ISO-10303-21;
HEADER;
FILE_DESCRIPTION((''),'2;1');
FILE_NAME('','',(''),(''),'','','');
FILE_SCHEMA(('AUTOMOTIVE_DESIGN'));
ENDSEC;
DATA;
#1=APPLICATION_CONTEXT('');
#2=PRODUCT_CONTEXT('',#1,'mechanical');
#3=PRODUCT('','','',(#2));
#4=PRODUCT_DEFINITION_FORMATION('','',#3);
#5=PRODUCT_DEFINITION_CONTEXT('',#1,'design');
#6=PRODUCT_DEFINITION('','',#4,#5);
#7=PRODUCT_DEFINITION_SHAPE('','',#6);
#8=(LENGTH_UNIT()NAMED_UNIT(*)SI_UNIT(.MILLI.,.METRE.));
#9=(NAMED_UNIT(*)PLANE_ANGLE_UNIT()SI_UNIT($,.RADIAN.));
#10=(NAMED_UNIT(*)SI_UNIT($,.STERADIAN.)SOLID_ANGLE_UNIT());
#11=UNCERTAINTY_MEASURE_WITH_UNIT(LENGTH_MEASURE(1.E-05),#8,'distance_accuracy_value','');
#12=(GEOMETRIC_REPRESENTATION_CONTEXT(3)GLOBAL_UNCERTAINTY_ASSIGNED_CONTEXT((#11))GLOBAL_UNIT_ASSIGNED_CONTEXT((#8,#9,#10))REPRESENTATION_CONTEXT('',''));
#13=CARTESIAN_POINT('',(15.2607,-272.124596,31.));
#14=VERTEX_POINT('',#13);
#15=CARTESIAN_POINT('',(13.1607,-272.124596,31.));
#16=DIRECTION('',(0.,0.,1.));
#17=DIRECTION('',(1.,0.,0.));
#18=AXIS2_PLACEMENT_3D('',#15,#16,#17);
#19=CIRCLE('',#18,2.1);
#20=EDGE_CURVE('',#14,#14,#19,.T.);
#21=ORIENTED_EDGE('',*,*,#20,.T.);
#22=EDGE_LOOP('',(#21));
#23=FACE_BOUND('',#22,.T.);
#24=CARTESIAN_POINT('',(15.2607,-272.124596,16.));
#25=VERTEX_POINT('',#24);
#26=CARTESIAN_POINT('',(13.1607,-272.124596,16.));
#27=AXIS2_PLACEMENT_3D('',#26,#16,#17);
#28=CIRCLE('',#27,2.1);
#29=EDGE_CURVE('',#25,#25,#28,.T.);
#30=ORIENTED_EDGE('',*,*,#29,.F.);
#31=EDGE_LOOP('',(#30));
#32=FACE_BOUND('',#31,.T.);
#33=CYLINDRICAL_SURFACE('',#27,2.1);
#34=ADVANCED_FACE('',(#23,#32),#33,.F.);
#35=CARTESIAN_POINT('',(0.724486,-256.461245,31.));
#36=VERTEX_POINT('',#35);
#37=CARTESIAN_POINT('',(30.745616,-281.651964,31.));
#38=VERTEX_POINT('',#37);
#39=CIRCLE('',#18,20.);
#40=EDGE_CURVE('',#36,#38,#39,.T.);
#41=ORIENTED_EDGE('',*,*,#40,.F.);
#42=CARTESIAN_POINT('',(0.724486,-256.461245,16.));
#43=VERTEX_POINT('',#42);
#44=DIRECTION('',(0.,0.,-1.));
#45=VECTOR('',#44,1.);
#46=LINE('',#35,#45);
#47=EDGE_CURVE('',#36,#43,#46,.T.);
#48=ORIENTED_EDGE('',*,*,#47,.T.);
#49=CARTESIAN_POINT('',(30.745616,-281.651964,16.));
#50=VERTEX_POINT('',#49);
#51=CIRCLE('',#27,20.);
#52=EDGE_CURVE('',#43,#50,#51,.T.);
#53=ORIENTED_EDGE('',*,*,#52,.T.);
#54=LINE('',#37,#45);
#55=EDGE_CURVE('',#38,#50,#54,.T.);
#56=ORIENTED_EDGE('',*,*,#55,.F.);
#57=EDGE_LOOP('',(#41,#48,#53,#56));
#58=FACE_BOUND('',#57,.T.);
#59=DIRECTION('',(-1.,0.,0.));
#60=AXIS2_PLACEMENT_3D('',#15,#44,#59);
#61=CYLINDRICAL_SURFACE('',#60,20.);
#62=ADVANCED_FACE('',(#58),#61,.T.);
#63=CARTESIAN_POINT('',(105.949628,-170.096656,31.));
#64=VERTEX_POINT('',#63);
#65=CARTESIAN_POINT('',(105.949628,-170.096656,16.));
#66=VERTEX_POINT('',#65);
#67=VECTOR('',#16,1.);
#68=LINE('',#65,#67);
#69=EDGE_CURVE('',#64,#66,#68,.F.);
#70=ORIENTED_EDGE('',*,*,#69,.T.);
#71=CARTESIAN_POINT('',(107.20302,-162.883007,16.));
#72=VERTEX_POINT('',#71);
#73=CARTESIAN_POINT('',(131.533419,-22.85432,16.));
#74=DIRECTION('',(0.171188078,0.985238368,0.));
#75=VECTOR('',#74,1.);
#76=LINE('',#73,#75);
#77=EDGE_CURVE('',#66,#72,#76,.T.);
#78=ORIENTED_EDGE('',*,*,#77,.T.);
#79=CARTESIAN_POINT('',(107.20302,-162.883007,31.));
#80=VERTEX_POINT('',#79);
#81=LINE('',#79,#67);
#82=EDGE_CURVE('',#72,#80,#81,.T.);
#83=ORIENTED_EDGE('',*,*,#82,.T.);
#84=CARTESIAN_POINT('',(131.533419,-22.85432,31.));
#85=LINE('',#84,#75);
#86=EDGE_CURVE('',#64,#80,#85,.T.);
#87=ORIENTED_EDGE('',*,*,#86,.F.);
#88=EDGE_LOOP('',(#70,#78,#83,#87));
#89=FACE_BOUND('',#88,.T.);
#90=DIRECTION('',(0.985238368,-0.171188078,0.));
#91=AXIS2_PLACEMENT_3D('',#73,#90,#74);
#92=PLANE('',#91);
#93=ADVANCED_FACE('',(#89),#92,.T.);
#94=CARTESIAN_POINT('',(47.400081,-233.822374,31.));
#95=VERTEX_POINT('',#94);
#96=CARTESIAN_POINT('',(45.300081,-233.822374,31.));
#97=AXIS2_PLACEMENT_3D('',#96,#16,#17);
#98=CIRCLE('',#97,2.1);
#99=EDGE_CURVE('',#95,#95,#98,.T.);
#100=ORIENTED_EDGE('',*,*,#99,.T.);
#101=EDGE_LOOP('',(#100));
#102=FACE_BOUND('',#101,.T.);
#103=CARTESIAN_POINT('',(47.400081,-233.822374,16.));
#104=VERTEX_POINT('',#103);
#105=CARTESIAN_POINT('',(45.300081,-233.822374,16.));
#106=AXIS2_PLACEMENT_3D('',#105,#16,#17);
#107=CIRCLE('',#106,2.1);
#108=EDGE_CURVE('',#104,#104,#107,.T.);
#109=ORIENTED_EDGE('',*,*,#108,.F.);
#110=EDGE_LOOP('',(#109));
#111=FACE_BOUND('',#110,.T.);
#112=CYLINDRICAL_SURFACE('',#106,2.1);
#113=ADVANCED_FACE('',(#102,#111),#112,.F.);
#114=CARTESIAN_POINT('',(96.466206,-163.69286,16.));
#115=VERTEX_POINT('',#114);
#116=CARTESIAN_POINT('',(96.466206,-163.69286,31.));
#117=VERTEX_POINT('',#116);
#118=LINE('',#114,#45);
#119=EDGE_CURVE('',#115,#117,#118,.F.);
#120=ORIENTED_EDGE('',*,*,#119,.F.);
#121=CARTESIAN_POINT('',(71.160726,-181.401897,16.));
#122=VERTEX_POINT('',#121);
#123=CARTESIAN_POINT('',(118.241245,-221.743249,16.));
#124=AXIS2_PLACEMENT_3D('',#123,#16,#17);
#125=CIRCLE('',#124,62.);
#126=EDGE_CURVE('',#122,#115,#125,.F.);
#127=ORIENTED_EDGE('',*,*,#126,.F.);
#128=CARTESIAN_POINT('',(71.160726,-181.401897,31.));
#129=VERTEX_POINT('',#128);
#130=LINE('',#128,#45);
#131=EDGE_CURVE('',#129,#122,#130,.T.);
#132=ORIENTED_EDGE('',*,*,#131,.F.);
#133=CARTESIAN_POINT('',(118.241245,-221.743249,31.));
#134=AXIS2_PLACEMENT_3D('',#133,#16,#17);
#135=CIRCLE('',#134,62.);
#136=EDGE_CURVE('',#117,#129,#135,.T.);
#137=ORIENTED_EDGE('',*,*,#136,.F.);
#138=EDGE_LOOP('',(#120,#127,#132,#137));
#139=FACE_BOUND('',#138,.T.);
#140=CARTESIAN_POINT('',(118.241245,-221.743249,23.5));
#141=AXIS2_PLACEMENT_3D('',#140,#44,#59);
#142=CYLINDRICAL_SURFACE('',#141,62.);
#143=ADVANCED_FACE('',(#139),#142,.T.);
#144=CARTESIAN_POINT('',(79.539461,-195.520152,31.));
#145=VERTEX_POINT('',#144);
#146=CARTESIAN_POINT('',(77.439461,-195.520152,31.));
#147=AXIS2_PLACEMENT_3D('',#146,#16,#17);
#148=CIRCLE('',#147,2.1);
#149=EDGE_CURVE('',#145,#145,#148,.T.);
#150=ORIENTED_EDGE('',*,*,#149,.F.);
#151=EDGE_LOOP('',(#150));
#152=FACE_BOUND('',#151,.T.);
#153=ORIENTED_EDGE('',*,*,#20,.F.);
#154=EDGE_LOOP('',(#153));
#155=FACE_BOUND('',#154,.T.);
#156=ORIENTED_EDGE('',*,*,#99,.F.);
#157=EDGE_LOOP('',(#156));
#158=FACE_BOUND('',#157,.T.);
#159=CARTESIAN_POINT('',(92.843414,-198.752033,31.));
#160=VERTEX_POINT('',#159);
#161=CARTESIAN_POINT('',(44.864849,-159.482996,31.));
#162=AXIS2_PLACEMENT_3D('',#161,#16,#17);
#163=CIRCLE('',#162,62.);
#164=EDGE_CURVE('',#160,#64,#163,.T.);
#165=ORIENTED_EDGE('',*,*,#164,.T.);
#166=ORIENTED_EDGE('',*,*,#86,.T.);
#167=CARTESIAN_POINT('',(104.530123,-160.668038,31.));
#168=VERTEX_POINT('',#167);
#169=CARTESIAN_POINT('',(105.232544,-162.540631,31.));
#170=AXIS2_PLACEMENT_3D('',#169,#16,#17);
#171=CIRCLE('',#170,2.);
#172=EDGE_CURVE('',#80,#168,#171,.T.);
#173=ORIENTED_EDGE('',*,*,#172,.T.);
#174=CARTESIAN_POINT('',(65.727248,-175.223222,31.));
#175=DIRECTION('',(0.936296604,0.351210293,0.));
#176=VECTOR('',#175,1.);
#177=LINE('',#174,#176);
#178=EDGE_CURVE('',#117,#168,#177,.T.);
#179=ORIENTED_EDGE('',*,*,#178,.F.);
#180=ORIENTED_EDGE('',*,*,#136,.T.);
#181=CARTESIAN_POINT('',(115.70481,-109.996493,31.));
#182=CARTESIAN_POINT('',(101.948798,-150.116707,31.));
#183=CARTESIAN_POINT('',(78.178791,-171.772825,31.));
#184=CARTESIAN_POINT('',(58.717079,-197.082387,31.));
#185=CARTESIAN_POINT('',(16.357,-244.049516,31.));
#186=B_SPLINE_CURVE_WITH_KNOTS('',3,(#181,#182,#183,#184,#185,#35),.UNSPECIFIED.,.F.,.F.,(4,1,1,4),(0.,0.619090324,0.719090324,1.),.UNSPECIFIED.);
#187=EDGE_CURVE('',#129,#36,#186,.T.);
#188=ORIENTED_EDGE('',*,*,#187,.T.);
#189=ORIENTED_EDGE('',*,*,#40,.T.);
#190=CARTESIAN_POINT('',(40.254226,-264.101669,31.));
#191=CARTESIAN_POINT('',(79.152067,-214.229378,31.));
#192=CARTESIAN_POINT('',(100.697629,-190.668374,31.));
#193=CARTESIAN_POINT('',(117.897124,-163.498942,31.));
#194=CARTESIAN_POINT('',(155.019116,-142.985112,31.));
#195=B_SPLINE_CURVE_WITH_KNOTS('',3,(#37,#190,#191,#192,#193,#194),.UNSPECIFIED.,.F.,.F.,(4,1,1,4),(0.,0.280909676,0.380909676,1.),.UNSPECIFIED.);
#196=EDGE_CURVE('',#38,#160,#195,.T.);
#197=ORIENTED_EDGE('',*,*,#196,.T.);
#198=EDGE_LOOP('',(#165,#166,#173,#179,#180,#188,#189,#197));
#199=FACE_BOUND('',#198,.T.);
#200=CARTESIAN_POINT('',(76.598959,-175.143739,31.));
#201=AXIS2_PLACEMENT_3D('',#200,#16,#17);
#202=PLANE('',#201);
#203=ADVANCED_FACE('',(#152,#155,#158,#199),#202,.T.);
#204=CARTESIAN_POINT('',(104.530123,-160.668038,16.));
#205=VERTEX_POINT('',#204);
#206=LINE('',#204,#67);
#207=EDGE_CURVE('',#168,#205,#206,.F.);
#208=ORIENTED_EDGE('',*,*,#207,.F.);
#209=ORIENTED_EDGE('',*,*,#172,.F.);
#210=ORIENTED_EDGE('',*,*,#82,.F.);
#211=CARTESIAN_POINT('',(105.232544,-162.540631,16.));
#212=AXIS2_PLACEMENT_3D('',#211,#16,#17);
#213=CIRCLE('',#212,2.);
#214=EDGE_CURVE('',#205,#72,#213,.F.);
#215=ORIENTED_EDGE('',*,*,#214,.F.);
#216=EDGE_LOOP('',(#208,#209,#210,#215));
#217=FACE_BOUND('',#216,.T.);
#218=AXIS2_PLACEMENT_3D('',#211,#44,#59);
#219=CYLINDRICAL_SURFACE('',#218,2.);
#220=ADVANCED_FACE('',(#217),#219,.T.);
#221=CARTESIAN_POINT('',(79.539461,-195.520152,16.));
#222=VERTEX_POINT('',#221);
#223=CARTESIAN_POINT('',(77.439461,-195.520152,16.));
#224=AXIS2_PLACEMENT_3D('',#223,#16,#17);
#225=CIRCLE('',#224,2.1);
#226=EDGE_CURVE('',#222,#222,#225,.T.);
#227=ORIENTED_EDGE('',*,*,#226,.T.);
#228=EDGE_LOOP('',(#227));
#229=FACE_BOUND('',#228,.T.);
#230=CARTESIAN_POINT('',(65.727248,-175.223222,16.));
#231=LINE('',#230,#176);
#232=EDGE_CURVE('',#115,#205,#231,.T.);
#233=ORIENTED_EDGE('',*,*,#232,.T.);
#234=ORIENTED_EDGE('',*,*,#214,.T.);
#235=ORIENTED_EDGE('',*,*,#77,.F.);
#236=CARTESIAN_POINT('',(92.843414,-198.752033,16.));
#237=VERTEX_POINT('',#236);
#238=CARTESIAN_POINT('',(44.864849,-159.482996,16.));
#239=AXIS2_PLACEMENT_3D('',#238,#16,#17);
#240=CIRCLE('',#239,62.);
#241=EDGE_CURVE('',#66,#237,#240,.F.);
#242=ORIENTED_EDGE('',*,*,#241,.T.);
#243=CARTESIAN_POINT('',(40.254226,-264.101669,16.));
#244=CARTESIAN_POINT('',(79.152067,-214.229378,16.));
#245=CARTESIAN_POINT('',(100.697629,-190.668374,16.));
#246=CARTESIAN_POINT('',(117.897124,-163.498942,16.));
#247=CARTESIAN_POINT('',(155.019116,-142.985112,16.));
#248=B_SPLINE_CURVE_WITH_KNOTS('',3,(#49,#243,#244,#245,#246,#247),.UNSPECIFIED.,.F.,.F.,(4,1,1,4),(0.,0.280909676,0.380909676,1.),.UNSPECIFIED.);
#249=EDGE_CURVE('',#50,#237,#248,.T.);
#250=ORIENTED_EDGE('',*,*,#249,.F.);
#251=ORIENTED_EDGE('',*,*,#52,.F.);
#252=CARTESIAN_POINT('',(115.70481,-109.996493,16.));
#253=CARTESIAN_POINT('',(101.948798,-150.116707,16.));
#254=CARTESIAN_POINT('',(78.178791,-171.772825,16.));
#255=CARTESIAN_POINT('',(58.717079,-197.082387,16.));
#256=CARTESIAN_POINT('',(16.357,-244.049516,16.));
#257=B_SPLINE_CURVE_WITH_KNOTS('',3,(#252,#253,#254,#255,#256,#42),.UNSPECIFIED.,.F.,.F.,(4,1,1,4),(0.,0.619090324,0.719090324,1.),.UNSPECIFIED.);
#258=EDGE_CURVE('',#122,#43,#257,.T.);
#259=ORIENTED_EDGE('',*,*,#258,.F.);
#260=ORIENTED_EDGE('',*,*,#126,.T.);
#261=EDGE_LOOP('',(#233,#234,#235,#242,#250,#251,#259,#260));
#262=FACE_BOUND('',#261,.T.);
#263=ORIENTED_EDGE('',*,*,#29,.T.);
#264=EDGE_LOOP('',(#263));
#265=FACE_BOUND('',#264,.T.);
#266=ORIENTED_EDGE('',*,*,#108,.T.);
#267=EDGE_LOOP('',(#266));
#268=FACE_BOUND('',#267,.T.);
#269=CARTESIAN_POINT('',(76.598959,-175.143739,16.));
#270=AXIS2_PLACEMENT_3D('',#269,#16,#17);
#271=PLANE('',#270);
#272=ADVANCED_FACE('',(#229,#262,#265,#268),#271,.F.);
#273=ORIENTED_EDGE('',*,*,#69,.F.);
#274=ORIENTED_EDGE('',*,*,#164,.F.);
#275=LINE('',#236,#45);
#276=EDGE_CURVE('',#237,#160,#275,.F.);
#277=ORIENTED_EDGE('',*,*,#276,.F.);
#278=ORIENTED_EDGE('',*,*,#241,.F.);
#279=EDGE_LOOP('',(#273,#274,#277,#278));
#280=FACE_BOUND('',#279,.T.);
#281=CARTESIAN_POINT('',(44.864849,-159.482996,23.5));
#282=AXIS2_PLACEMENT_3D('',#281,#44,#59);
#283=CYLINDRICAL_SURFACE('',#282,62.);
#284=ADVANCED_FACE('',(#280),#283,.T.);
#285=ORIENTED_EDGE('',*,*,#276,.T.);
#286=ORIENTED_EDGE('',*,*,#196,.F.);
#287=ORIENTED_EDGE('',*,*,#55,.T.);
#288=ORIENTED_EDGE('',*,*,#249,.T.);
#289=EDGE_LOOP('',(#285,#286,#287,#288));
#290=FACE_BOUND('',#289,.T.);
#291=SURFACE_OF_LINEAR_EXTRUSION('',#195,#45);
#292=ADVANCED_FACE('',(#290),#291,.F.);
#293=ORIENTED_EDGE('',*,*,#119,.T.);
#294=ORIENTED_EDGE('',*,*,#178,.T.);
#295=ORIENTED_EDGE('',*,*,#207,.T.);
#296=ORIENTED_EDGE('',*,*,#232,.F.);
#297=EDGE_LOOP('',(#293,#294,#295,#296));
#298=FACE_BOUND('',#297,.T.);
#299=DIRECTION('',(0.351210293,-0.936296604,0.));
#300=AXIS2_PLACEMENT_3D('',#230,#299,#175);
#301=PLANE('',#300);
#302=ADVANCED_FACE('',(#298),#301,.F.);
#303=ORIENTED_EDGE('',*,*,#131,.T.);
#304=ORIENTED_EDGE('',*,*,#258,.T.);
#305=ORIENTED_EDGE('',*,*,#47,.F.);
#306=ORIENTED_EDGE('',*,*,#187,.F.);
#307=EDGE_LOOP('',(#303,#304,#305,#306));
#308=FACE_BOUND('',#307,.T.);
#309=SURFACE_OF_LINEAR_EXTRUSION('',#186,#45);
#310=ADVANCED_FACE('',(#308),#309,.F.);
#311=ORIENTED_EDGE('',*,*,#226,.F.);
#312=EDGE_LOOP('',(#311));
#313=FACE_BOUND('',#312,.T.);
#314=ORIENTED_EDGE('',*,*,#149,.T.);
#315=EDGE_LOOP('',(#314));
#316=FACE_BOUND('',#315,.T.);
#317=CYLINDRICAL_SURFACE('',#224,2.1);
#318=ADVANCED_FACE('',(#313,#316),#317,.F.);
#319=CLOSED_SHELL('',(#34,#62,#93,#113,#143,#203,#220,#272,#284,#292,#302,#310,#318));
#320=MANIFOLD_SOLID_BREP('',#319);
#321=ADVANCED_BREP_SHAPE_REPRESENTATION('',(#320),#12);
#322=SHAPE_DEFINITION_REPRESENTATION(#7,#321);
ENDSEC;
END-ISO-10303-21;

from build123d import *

# Parameters (mm, degrees)
SKETCH3_R           = 1.6
BOSS_EXTRUDE1_DEPTH = 15
CUT_EXTRUDE1_START  = -15
SKETCH4_R           = 1.6
CUT_EXTRUDE1_DEPTH  = 15
FILLET3_R           = 62
SKETCH5_R           = 2.1
CUT_EXTRUDE2_DEPTH  = 15
FILLET4_R           = 2


with BuildPart() as part:
    # Sketch3 → Boss-Extrude1 (new body)
    with BuildSketch(Plane.XY.offset(16)):
        with BuildLine():
            ThreePointArc((155.019115612, -142.985112199), (159.394881243, -97.849485606), (115.704809966, -109.996492831))
            add(Edge.make_bspline(
                [(115.704809966, -109.996492831), (101.94879758, -150.116707379), (78.178790791, -171.772825461), (58.717079478, -197.082387325), (16.356999542, -244.049515564), (0.72448619, -256.46124476)],
                knots=[0, 0, 0, 0, 0.619090324, 0.719090324, 1, 1, 1, 1], degree=3))
            ThreePointArc((0.72448619, -256.46124476), (0.304947846, -287.445485278), (30.74561606, -281.651963762))
            add(Edge.make_bspline(
                [(155.019115612, -142.985112199), (117.897123756, -163.498941991), (100.69762913, -190.668374405), (79.152067085, -214.229377889), (40.254225745, -264.101669257), (30.74561606, -281.651963762)],
                knots=[0, 0, 0, 0, 0.619090324, 0.719090324, 1, 1, 1, 1], degree=3))
        make_face()
        with Locations((135.218221977, -112.415707792)):
            Circle(SKETCH3_R, mode=Mode.SUBTRACT)
        with Locations((148.218221977, -112.415707792)):
            Circle(SKETCH3_R, mode=Mode.SUBTRACT)
        with Locations((148.218221977, -125.415707792)):
            Circle(SKETCH3_R, mode=Mode.SUBTRACT)
        with Locations((135.218221977, -125.415707792)):
            Circle(SKETCH3_R, mode=Mode.SUBTRACT)
        with Locations((77.439461008, -195.520152104)):
            Circle(SKETCH3_R, mode=Mode.SUBTRACT)
        with Locations((45.300080524, -233.82237426)):
            Circle(SKETCH3_R, mode=Mode.SUBTRACT)
        with Locations((13.16070004, -272.124596416)):
            Circle(SKETCH3_R, mode=Mode.SUBTRACT)
    extrude(amount=BOSS_EXTRUDE1_DEPTH)

    # Sketch4 → Cut-Extrude1 (cut)
    with BuildSketch(Plane.XY.offset(31).offset(CUT_EXTRUDE1_START)):
        with BuildLine():
            add(Edge.make_bspline(
                [(115.704809966, -109.996492831), (106.058622012, -138.130164086), (93.113701565, -155.703600822), (81.681620369, -169.238644056)],
                knots=[0, 0, 0, 0, 0.434127381, 0.434127381, 0.434127381, 0.434127381], degree=3))
            Line((81.681620369, -169.238644056), (107.801063948, -159.441089101))
            Line((107.801063948, -159.441089101), (103.173332299, -186.075062907))
            add(Edge.make_bspline(
                [(155.019115612, -142.985112199), (129.435323739, -157.122865204), (114.450199889, -172.627251292), (103.173332299, -186.075062907)],
                knots=[0, 0, 0, 0, 0.426665629, 0.426665629, 0.426665629, 0.426665629], degree=3))
            ThreePointArc((155.019115612, -142.985112199), (157.145110388, -141.681056767), (159.144213742, -140.189748569))
            Line((159.144213742, -140.189748569), (159.161693107, -140.175418866))
            ThreePointArc((159.161693107, -140.175418866), (158.677203155, -97.267544882), (116.900921238, -107.068700404))
            ThreePointArc((116.900921238, -107.068700404), (116.260741116, -108.51538721), (115.704809966, -109.996492831))
        make_face()
        with Locations((135.218221977, -125.415707792)):
            Circle(SKETCH4_R, mode=Mode.SUBTRACT)
        with Locations((148.218221977, -125.415707792)):
            Circle(SKETCH4_R, mode=Mode.SUBTRACT)
        with Locations((135.218221977, -112.415707792)):
            Circle(SKETCH4_R, mode=Mode.SUBTRACT)
        with Locations((148.218221977, -112.415707792)):
            Circle(SKETCH4_R, mode=Mode.SUBTRACT)
    extrude(amount=CUT_EXTRUDE1_DEPTH, mode=Mode.SUBTRACT)


with BuildPart() as cut_extrude1_kept_piece:
    # of the separate pieces the step leaves, the one the design keeps (cut_extrude1_pieces_kept)
    add(part.part.solids().sort_by_distance((30.74561606, -281.651963762, 16))[0])

    # Fillet3
    fillet3_edges = [cut_extrude1_kept_piece.edges().sort_by_distance(p)[0] for p in [
        (81.681620369, -169.238644056, 23.5),
        (103.173332299, -186.075062907, 23.5),
    ]]
    fillet(fillet3_edges, radius=FILLET3_R)

    # Sketch5 → Cut-Extrude2 (cut)
    with BuildSketch(Plane.XY.offset(31)):
        with Locations((77.439461008, -195.520152104)):
            Circle(SKETCH5_R)
        with Locations((45.300080524, -233.82237426)):
            Circle(SKETCH5_R)
        with Locations((13.16070004, -272.124596416)):
            Circle(SKETCH5_R)
    extrude(amount=-CUT_EXTRUDE2_DEPTH, mode=Mode.SUBTRACT)

    # Fillet4
    fillet4_edges = [cut_extrude1_kept_piece.edges().sort_by_distance(p)[0] for p in [
        (107.801063948, -159.441089101, 23.5),
    ]]
    fillet(fillet4_edges, radius=FILLET4_R)


solid = cut_extrude1_kept_piece.part
